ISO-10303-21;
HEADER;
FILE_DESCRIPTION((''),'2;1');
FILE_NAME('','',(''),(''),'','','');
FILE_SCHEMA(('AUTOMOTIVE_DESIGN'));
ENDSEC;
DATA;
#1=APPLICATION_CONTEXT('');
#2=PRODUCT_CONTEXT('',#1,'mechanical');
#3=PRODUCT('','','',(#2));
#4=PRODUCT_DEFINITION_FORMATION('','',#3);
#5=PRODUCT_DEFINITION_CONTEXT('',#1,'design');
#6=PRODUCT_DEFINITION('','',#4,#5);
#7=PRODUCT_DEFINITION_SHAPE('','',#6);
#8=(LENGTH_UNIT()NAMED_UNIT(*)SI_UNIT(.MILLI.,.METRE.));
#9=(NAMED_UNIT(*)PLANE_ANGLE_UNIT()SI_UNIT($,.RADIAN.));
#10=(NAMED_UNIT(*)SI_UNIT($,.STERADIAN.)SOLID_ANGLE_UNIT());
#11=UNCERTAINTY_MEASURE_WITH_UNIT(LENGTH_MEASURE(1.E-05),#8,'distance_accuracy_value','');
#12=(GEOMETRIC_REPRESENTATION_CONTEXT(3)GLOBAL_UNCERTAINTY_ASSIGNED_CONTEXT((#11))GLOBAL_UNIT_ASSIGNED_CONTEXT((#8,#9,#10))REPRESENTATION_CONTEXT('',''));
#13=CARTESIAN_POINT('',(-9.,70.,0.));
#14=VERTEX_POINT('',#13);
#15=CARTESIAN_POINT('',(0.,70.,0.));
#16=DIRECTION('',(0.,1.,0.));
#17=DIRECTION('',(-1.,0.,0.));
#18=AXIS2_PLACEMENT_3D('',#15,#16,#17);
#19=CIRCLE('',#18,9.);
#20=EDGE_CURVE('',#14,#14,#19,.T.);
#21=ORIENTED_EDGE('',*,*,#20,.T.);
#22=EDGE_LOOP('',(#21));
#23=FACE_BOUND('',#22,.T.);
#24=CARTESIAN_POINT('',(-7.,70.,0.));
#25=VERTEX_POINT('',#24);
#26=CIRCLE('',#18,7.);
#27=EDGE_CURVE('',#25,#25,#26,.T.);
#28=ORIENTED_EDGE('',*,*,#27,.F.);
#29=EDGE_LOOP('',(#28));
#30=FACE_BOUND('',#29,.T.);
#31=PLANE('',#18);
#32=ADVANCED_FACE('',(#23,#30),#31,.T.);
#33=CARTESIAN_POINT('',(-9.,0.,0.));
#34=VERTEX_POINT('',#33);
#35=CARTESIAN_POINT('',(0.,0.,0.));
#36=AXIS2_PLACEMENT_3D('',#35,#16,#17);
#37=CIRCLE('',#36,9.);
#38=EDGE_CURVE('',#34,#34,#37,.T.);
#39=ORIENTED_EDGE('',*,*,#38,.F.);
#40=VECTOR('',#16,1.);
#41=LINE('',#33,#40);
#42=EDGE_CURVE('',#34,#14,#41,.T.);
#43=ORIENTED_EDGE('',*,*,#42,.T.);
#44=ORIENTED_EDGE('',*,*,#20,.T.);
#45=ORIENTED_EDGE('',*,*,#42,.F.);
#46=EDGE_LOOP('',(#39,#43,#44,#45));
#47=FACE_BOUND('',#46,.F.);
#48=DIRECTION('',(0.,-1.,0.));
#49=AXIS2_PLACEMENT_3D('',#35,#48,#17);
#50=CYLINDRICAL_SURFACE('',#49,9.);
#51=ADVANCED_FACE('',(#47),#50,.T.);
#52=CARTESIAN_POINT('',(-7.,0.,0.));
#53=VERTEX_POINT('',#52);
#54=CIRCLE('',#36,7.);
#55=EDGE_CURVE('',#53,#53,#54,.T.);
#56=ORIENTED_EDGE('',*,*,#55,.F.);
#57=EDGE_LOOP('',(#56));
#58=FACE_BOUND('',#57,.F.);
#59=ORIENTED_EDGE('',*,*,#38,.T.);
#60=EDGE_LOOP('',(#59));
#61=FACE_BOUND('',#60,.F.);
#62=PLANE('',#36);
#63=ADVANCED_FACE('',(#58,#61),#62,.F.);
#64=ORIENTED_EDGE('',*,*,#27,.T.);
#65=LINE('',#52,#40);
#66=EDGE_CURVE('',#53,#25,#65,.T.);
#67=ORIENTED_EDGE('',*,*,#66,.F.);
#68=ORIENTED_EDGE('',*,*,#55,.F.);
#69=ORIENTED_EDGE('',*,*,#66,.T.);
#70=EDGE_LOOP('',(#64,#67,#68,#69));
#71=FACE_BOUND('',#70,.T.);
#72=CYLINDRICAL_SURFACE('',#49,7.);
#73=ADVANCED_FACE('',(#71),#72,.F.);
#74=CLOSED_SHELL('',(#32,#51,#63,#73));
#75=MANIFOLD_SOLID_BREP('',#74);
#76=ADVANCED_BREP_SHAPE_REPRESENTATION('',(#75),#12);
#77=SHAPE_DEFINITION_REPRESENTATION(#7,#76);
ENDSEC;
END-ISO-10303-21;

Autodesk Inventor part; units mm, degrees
ref_plane "YZ Plane" through (0, 0, 0) normal (1, 0, 0) x (0, 1, 0)
ref_plane "XZ Plane" through (0, 0, 0) normal (0, 1, 0) x (-1, 0, 0)
ref_plane "XY Plane" through (0, 0, 0) normal (0, 0, 1) x (1, 0, 0)
sketch "Boceto1" plane through (0, 0, 0) normal (0, 1, 0) x (-1, 0, 0)
  circle A0 centre (0, 0) radius 7
  circle A1 centre (0, 0) radius 9
  dimension "d0" = 14
  dimension "d1" = 18
extrude "Extrusión1" add sketch "Boceto1" along normal blind 70
properties part number "1.1.4.SupportCylinders"
